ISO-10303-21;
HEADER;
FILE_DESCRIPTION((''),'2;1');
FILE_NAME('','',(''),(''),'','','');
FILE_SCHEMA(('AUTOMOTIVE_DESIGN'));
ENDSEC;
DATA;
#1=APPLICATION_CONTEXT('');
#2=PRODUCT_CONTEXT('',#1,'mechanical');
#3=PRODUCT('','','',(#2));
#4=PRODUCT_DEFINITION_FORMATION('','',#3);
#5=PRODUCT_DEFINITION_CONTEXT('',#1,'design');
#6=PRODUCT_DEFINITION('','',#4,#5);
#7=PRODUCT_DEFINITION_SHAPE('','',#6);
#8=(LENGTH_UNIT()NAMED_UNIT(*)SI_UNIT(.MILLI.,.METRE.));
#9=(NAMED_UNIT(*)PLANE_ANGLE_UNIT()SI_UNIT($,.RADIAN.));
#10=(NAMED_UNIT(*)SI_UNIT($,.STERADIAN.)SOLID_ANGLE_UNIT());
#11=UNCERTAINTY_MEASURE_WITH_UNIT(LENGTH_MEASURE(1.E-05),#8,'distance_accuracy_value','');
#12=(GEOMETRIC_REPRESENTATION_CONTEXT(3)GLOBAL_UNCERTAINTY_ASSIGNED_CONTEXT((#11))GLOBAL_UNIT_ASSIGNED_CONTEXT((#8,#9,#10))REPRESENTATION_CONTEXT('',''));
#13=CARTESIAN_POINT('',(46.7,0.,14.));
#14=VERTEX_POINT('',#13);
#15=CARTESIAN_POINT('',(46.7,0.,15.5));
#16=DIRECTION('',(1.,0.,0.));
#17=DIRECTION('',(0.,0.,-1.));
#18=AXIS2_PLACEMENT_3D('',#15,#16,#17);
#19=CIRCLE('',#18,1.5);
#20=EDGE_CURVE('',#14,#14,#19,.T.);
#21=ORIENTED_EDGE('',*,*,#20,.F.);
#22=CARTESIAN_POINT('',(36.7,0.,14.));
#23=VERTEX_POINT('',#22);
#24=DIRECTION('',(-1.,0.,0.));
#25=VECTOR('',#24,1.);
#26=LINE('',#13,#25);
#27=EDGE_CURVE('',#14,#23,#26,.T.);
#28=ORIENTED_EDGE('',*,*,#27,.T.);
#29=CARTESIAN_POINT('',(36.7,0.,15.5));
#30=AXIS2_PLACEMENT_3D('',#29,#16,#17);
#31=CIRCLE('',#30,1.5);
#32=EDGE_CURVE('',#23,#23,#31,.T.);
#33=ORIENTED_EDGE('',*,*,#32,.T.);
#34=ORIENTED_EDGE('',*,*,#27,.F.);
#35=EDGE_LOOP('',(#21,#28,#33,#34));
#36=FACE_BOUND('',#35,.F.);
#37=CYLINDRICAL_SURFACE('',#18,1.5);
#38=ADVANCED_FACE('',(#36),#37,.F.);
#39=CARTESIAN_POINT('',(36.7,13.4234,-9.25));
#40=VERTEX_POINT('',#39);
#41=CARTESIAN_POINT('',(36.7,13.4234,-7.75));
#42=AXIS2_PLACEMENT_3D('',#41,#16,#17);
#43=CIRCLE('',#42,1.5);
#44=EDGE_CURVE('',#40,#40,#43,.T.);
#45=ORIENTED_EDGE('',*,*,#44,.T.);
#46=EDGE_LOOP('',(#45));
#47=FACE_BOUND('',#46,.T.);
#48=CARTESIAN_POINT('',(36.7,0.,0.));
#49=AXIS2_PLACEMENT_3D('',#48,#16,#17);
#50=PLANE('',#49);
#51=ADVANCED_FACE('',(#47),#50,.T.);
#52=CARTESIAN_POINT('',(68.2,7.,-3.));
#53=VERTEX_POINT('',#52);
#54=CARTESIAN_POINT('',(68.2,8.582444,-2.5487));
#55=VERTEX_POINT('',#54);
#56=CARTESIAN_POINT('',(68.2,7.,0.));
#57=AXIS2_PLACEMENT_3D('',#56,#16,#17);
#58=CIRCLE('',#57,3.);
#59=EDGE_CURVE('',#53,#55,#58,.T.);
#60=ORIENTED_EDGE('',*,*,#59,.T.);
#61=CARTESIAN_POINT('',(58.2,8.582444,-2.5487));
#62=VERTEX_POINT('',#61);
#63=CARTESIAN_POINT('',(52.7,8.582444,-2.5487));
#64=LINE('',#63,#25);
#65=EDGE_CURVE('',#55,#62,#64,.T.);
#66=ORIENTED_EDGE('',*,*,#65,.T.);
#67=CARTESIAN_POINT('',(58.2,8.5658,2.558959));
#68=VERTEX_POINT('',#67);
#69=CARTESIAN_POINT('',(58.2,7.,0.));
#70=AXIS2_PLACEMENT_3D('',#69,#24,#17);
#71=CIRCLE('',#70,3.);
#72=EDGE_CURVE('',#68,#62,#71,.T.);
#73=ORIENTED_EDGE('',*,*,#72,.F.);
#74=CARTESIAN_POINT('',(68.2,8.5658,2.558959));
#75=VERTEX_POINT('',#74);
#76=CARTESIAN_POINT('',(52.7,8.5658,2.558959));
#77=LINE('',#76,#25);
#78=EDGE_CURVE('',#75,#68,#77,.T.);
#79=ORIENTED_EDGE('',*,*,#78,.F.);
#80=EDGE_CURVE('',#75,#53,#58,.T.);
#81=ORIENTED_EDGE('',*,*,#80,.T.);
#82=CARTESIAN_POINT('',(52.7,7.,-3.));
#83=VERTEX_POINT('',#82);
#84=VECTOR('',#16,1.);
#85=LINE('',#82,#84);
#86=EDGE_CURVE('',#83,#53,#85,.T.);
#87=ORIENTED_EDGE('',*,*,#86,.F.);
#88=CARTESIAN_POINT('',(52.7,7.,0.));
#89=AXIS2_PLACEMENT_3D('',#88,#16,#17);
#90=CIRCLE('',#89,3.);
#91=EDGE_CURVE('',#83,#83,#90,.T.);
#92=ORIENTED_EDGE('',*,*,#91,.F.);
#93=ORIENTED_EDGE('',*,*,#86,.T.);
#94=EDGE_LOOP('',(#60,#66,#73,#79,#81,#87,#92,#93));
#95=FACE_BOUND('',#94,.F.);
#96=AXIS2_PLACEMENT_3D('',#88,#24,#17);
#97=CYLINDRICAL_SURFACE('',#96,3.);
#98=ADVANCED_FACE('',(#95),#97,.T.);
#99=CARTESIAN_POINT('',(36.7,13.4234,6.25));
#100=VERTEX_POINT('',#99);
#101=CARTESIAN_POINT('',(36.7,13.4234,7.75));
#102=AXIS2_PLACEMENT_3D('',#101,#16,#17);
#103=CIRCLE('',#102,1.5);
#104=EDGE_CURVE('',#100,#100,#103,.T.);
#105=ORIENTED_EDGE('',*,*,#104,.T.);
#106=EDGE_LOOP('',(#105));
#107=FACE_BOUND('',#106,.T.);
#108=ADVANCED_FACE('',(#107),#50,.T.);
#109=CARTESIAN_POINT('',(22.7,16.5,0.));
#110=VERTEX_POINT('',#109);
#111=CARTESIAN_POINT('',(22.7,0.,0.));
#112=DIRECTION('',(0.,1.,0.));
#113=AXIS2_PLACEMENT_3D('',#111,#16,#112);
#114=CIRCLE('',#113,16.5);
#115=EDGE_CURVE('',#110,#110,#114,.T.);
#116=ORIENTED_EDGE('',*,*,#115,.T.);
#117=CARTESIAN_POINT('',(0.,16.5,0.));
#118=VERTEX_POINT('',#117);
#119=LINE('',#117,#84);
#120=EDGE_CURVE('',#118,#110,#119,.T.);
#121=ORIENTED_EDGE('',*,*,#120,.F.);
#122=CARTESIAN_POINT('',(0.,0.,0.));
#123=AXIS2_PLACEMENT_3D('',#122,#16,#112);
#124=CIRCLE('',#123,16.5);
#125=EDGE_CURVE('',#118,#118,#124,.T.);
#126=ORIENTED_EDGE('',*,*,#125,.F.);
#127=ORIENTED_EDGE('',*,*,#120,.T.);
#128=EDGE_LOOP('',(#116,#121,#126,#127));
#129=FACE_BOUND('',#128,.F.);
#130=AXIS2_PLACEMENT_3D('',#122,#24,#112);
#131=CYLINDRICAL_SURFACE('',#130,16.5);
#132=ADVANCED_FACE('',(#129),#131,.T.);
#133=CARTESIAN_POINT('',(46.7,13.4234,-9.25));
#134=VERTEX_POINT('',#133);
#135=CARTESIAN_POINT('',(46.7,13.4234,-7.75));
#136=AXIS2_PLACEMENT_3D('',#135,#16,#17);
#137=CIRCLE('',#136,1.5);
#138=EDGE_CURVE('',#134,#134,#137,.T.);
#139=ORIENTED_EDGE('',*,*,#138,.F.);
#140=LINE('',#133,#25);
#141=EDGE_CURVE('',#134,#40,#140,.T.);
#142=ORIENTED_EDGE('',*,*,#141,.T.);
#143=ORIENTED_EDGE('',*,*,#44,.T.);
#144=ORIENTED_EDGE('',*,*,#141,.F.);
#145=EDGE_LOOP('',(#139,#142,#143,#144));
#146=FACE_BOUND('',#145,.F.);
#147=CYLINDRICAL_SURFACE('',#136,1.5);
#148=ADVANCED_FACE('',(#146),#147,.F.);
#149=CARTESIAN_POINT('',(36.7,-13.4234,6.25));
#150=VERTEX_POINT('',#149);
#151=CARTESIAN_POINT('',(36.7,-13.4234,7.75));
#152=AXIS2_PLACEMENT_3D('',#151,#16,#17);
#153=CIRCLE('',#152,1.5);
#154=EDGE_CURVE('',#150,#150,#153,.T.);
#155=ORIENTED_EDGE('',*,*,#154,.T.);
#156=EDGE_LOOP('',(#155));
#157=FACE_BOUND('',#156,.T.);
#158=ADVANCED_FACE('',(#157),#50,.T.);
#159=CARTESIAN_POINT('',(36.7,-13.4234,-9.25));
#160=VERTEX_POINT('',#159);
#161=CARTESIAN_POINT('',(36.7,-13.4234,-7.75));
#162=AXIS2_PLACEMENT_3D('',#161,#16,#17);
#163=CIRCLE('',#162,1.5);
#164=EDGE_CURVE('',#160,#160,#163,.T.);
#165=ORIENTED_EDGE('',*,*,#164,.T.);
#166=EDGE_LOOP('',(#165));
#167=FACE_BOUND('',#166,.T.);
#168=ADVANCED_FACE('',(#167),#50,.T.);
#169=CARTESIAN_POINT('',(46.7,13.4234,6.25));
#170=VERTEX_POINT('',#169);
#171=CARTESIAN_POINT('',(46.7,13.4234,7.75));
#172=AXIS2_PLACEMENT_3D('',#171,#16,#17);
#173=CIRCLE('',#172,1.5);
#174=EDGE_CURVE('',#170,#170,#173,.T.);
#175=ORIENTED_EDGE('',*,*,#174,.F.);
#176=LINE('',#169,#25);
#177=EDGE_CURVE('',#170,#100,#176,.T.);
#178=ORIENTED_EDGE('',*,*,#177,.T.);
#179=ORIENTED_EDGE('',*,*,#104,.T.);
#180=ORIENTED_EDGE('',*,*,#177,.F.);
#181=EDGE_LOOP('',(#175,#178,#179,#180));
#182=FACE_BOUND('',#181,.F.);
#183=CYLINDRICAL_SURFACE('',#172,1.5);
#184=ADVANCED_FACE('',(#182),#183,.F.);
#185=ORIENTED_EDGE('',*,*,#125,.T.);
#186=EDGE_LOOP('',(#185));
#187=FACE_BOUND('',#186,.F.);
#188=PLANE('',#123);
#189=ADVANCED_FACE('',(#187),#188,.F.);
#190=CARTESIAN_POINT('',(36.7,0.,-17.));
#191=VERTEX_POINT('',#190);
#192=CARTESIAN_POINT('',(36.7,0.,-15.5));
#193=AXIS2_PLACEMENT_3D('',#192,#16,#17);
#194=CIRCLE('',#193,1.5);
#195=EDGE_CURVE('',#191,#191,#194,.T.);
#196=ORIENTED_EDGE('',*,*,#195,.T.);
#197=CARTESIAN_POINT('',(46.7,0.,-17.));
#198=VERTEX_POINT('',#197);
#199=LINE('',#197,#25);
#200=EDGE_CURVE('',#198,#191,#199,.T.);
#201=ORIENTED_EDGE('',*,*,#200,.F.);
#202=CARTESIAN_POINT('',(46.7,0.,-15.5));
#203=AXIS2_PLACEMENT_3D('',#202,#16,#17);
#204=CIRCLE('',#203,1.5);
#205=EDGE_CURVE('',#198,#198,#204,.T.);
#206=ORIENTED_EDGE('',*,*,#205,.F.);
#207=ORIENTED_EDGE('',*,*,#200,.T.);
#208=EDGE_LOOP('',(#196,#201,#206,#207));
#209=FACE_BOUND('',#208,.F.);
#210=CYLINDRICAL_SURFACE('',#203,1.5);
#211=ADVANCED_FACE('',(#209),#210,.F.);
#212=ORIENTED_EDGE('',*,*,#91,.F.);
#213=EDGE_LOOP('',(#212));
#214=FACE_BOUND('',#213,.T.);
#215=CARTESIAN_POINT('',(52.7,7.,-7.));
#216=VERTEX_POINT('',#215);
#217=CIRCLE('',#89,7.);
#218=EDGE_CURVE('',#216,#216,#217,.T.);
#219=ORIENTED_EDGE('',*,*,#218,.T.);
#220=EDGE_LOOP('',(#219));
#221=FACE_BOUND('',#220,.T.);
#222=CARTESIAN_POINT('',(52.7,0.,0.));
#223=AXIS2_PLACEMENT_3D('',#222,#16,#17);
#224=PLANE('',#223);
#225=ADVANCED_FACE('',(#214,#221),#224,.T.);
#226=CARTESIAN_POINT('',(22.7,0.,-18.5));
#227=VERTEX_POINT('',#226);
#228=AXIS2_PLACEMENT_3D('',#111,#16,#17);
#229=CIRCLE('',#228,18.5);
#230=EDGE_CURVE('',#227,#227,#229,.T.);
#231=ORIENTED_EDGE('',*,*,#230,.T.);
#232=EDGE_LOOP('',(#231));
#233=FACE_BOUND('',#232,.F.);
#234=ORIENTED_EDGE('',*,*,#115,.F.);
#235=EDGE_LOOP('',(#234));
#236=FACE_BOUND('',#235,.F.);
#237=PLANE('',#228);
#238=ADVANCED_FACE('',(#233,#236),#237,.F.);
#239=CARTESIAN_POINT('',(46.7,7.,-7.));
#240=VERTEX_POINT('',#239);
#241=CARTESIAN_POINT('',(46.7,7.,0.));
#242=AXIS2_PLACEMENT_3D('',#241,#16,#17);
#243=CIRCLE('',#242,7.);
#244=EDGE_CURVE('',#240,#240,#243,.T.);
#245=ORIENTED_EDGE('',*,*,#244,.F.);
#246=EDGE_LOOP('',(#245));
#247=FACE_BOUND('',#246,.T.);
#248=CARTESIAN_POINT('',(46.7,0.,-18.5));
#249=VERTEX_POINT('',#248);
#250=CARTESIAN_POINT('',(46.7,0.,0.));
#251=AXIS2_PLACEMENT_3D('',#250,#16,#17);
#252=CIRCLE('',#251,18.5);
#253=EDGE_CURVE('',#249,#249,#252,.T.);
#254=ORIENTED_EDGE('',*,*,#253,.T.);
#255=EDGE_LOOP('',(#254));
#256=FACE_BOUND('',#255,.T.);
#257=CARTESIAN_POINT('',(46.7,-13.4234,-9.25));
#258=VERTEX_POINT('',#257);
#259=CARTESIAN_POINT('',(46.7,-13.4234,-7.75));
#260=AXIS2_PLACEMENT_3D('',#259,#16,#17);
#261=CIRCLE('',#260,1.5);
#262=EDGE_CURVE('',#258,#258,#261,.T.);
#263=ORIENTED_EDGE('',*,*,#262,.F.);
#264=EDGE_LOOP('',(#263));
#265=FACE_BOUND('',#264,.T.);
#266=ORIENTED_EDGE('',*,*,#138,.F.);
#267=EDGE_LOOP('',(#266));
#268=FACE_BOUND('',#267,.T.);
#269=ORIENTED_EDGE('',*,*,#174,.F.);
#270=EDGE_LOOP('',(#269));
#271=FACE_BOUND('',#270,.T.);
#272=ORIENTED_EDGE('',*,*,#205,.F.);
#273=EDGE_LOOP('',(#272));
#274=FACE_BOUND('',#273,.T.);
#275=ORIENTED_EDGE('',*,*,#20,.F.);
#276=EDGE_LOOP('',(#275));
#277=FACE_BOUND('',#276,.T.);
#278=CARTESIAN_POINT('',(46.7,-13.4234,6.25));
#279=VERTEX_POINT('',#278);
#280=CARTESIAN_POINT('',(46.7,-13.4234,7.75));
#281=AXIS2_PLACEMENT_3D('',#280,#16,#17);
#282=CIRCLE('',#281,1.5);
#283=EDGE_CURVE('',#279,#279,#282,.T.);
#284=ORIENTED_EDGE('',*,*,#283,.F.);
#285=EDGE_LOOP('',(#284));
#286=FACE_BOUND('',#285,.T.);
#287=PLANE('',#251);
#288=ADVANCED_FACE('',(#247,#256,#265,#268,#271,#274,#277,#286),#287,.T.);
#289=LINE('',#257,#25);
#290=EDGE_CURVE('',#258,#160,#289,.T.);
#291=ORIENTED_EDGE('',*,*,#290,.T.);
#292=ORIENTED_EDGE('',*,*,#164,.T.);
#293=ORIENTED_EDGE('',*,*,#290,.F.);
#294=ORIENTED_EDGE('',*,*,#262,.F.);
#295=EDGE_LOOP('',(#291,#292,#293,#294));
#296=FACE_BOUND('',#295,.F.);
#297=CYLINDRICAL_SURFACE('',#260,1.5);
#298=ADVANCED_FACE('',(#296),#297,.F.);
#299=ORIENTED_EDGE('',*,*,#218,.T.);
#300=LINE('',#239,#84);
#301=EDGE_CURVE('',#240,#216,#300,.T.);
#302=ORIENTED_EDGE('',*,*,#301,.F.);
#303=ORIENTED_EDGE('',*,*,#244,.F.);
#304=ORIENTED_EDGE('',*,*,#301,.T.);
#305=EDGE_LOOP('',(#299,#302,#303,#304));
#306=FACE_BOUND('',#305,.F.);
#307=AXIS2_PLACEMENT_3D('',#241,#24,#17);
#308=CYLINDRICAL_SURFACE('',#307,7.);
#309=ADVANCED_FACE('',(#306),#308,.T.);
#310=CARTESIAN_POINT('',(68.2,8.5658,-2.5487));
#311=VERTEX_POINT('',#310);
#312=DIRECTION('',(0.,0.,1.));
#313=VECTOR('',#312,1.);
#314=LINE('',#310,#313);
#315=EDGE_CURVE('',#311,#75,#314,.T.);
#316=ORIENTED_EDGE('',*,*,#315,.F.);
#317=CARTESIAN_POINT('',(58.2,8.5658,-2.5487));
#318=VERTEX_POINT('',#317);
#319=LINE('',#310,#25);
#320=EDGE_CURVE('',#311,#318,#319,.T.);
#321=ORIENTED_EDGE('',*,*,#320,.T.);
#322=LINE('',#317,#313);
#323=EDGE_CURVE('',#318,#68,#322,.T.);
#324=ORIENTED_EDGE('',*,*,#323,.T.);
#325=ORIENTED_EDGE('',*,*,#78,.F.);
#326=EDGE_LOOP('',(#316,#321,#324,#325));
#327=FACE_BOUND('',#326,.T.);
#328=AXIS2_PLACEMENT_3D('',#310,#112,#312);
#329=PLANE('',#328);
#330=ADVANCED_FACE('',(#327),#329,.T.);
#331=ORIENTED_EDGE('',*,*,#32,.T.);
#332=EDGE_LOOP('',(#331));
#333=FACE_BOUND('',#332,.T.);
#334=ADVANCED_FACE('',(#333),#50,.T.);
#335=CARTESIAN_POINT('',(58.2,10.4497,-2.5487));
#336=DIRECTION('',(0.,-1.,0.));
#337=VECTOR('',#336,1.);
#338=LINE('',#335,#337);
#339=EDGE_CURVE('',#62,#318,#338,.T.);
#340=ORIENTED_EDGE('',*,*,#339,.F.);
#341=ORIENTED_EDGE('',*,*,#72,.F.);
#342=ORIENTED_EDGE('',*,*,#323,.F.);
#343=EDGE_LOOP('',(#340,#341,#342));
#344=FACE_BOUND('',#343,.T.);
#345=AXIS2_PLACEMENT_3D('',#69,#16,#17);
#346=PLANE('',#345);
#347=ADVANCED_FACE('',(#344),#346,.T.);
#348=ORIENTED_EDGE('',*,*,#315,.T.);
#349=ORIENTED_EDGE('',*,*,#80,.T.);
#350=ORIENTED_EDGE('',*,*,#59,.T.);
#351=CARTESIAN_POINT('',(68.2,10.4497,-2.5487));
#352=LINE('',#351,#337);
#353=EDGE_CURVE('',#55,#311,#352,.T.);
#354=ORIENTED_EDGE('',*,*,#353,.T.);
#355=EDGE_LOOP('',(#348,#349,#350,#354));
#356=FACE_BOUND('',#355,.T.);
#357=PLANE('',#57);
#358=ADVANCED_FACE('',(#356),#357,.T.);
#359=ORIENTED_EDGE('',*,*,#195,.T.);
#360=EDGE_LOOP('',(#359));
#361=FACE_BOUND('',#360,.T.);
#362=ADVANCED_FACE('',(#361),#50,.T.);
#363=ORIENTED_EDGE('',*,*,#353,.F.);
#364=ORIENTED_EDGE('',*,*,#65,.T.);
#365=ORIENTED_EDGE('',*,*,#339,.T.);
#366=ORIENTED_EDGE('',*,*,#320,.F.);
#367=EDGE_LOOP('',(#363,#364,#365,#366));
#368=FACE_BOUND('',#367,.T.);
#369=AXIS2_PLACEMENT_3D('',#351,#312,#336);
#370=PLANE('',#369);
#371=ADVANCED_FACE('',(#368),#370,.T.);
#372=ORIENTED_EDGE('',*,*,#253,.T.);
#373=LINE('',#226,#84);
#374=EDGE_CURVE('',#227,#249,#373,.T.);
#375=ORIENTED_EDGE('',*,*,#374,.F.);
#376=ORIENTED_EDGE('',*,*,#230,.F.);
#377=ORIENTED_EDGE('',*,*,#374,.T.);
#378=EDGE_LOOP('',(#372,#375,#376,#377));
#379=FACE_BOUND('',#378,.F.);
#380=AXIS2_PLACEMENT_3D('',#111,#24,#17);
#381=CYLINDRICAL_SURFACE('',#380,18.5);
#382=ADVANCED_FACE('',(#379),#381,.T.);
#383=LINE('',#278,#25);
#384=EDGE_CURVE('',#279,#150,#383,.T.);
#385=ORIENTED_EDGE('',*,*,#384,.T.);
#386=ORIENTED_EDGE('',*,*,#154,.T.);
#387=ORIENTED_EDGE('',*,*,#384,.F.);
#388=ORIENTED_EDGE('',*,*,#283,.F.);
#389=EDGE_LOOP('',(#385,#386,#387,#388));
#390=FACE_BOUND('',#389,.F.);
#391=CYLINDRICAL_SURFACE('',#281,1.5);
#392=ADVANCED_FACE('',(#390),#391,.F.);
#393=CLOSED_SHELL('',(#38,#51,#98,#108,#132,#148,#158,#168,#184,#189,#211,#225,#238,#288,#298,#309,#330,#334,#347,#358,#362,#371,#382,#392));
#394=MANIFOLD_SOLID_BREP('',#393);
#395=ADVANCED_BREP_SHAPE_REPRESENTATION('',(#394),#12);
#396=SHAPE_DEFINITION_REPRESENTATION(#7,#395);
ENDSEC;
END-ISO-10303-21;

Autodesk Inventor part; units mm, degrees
ref_plane "YZ Plane" through (0, 0, 0) normal (1, 0, 0) x (0, 1, 0)
ref_plane "XZ Plane" through (0, 0, 0) normal (0, 1, 0) x (-1, 0, 0)
ref_plane "XY Plane" through (0, 0, 0) normal (0, 0, 1) x (1, 0, 0)
sketch "Sketch1" plane through (0, 0, 0) normal (1, 0, 0) x (0, 1, 0)
  circle A0 centre (0, 0) radius 16.5
  dimension "d0" = 33
extrude "Extrusion1" add sketch "Sketch1" along normal blind 22.7
sketch "Sketch2" plane through (22.7, 0, 0) normal (1, 0, 0) x (0, 0, -1)
  circle A0 centre (0, 0) radius 18.5
  dimension "d3" = 37
extrude "Extrusion2" add sketch "Sketch2" along normal blind 24
sketch "Sketch3" plane through (46.7, 0, 0) normal (1, 0, 0) x (0, 0, -1)
  circle A0 centre (0, 7) radius 7
  point P0 (0, 0)
  dimension "d6" = 14
  dimension "d7" = 7
extrude "Extrusion3" add sketch "Sketch3" along normal blind 6
sketch "Sketch4" plane through (52.7, 7, 0) normal (1, 0, 0) x (0, 0, -1)
  circle A0 centre (0, 0) radius 3
  point P0 (0, -7)
  dimension "d10" = 6
extrude "Extrusion4" add sketch "Sketch4" along normal blind 15.5
sketch "Sketch5" plane through (46.7, 0, 0) normal (1, 0, 0) x (0, 0, -1)
  circle A0 centre (-15.5, 0) radius 1.5
  circle A1 centre (0, 7) radius 7 projected
  circle A2 centre (-7.75, -13.4234) radius 1.5
  circle A3 centre (7.75, -13.4234) radius 1.5
  circle A4 centre (15.5, 0) radius 1.5
  circle A5 centre (7.75, 13.4234) radius 1.5
  circle A6 centre (-7.75, 13.4234) radius 1.5
  point P0 (0, 0)
  dimension "d13" = 3
  dimension "d14" = 15.5
  dimension "d17" = 360
extrude "Extrusion5" cut sketch "Sketch5" against normal blind 10 contours A0 | A2 | A3 | A4 | A5 | A6
sketch "Sketch6" plane through (68.2, 7, 0) normal (1, 0, 0) x (0, 0, -1)
  line L0 (-3.2783, 3.4497) -> (2.5487, 3.4497)
  line L1 (2.5487, 3.4497) -> (2.5487, 1.5658)
  line L2 (2.5487, 1.5658) -> (-3.2783, 1.5658)
  line L3 (-3.2783, 1.5658) -> (-3.2783, 3.4497)
  point P0 (0, -7)
extrude "Extrusion6" cut sketch "Sketch6" against normal blind 10
properties part number "DCMotor"
